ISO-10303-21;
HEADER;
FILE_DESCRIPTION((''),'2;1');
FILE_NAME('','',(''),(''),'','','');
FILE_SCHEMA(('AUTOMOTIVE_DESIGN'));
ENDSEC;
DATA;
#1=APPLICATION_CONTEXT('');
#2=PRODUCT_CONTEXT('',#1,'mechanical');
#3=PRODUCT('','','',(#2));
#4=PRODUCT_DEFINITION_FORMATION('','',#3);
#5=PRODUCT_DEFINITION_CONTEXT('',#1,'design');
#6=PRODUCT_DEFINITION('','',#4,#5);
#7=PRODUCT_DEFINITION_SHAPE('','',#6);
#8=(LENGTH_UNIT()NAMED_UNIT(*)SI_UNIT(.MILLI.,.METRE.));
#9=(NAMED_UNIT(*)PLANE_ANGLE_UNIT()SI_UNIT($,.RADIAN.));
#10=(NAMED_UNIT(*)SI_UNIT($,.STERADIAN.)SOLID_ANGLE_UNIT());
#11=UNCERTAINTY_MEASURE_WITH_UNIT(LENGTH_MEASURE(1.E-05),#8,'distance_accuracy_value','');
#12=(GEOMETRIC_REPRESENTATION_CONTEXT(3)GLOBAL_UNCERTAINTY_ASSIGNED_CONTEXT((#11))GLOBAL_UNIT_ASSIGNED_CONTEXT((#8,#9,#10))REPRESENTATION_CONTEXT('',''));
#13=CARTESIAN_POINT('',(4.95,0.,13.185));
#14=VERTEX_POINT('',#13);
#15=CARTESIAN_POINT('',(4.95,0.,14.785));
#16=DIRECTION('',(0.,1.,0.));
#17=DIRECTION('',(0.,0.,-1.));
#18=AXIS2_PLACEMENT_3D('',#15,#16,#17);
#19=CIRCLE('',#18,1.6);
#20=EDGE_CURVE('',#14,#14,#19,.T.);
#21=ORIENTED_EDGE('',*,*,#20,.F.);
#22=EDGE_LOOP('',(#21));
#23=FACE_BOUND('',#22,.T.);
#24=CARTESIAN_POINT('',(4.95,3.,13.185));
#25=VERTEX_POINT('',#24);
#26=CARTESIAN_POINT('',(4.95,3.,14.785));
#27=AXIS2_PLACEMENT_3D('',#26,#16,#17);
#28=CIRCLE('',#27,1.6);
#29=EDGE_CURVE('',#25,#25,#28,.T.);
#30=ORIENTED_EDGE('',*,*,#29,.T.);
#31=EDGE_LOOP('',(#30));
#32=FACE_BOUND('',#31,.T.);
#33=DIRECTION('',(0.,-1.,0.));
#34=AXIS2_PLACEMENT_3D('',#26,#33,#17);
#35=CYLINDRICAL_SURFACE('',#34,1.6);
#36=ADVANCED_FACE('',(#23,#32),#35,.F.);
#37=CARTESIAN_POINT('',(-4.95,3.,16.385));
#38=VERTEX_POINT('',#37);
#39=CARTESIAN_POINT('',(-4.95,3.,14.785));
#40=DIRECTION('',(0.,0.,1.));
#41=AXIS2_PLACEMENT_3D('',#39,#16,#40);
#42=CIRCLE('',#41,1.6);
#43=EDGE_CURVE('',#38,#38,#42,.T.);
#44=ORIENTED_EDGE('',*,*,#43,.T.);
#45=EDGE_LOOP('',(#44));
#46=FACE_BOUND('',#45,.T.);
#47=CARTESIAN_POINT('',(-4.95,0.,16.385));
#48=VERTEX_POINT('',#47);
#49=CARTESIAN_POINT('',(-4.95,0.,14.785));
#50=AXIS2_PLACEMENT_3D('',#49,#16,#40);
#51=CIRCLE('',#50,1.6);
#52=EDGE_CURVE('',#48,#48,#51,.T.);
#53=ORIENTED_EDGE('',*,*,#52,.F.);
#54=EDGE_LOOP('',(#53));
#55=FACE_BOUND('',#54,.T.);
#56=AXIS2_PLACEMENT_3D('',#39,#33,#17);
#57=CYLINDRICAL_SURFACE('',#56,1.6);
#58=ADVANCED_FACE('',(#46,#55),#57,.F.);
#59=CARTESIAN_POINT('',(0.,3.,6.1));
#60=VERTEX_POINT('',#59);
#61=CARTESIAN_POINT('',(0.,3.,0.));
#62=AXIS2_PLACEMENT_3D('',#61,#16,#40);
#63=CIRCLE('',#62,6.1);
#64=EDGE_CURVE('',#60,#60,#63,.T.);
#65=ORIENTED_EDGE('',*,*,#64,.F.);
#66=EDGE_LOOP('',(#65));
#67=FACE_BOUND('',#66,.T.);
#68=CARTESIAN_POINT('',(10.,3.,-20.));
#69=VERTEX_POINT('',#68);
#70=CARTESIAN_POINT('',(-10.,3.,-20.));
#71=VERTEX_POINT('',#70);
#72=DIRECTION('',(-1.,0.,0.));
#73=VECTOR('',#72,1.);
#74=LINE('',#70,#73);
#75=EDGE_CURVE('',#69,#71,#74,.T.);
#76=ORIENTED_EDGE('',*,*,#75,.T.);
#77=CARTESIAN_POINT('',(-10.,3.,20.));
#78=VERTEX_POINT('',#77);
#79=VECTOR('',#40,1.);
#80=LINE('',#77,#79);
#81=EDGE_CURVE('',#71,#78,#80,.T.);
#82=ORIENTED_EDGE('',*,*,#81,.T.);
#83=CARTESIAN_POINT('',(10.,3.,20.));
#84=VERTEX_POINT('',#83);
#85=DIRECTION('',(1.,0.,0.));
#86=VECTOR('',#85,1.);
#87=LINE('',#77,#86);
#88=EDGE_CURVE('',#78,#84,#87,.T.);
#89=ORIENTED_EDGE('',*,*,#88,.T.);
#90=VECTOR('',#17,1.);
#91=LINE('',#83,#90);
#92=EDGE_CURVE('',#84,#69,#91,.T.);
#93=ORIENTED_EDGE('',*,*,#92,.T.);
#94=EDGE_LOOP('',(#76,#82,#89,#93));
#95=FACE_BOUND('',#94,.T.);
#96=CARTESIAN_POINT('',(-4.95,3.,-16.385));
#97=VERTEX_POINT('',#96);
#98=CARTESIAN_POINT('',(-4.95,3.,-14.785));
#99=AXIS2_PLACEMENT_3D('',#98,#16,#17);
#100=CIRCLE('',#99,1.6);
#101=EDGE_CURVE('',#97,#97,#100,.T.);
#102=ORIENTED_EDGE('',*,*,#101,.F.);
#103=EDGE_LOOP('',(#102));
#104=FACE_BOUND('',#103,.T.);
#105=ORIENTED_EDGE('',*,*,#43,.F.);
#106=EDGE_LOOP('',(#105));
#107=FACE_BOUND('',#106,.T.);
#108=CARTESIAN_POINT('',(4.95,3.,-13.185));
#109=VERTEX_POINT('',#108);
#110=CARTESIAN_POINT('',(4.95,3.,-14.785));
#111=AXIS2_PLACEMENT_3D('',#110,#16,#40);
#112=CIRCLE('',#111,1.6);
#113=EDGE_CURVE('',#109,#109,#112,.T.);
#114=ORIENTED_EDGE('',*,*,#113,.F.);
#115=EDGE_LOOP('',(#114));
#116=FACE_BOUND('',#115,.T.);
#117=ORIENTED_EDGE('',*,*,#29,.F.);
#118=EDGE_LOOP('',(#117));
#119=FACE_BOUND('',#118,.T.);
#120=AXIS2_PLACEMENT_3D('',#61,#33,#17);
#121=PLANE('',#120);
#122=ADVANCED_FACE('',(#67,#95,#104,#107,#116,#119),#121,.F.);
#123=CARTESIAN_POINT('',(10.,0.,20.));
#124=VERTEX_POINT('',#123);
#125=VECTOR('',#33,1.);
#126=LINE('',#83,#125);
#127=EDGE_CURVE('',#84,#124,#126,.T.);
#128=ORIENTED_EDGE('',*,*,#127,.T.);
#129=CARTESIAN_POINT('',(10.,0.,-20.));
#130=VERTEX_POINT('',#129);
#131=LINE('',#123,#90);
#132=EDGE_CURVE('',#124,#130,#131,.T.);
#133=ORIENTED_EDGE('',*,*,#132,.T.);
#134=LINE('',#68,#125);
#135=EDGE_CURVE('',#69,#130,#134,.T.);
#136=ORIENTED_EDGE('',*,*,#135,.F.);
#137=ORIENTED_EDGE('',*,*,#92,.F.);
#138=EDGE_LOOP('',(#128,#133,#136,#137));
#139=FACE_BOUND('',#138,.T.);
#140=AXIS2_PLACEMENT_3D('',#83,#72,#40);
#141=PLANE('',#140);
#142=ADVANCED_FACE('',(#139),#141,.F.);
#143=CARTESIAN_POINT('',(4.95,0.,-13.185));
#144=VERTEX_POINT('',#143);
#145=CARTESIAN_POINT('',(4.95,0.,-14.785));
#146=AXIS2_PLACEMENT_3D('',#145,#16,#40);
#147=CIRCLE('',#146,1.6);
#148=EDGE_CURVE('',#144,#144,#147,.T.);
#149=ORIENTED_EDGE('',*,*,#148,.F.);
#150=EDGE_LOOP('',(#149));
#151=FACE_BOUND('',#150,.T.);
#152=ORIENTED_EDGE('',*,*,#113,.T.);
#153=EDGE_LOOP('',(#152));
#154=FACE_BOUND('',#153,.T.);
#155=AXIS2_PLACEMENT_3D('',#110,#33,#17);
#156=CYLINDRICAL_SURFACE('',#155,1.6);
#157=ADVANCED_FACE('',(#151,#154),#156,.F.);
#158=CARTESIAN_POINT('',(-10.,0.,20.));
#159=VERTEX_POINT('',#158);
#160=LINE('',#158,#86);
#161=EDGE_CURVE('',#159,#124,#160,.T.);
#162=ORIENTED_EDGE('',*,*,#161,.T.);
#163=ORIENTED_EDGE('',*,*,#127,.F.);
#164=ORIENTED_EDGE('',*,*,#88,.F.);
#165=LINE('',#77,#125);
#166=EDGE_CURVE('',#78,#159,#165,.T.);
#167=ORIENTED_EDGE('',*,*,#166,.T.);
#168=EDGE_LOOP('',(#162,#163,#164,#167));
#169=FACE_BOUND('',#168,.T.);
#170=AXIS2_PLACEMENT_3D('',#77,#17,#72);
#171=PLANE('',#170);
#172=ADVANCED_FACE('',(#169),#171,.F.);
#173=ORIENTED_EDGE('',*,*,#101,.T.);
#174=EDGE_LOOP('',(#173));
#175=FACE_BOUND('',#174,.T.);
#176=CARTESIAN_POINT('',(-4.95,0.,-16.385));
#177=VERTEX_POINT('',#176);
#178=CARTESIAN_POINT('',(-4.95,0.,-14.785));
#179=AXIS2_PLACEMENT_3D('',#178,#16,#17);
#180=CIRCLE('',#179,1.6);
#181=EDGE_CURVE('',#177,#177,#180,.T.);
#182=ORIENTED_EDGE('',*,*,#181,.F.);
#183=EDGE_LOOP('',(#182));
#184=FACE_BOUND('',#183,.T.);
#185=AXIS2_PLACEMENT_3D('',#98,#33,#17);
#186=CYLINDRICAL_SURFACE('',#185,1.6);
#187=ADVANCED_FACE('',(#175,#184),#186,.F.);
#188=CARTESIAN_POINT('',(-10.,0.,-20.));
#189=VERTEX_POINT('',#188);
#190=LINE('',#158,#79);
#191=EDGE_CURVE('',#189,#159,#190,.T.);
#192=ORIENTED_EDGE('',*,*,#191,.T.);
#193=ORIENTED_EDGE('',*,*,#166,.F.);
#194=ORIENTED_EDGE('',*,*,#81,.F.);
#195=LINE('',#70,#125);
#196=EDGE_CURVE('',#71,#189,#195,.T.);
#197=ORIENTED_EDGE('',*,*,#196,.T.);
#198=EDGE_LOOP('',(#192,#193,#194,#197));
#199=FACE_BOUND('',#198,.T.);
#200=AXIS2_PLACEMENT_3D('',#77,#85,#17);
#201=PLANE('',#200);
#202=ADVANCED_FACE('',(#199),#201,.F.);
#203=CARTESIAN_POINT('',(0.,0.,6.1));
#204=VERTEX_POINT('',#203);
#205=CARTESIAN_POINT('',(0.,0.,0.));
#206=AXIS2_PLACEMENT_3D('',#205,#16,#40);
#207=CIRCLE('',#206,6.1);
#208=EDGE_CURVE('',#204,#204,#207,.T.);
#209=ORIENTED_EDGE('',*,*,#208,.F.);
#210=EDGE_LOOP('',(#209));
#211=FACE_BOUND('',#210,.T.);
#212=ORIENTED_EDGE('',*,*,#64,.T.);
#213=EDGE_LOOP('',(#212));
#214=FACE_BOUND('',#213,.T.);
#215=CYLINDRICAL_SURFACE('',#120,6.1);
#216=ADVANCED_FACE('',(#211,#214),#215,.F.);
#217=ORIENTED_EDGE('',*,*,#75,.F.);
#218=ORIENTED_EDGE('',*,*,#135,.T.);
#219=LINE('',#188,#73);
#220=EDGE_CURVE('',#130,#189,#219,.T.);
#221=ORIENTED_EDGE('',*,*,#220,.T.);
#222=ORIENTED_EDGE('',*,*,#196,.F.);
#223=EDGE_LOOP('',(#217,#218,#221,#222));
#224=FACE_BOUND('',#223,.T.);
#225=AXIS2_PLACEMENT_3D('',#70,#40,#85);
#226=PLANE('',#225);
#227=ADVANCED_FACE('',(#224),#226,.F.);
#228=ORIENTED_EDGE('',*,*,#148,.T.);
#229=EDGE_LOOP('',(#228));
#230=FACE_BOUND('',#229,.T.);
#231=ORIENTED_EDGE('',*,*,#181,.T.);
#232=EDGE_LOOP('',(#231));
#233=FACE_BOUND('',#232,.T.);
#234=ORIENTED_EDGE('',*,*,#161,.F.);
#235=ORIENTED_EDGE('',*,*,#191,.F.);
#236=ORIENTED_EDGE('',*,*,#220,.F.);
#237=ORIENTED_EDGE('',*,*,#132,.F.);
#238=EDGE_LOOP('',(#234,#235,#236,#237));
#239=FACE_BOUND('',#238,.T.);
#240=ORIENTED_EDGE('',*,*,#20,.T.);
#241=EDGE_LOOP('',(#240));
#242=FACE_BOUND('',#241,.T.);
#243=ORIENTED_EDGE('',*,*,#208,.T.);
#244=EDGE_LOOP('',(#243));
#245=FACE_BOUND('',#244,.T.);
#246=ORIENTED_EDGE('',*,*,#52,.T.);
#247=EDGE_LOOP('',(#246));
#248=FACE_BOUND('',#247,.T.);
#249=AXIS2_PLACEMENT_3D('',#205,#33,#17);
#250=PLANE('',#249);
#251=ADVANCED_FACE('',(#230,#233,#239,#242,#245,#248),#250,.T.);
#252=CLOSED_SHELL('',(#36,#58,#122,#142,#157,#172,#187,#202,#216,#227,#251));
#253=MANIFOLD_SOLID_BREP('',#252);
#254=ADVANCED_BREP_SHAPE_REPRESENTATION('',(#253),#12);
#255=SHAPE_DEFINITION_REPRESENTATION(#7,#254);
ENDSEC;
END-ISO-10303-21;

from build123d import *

# Parameters (mm, degrees)
SKETCH_1_W      = 20
SKETCH_1_H      = 40
SKETCH_1_R      = 6.1
SKETCH_1_R_2    = 1.6
EXTRUDE_1_DEPTH = 3


with BuildPart() as part:
    # 草图1 → 凸台-拉伸1 (new body)
    with BuildSketch(Plane(origin=(0, 0, 0), x_dir=(1, 0, 0), z_dir=(0, 1, 0))):
        Rectangle(SKETCH_1_W, SKETCH_1_H)
        with Locations(Location((0, 0, 0), (0, 0, 270))):
            Circle(SKETCH_1_R, mode=Mode.SUBTRACT)
        with Locations(Location((4.95, 14.785, 0), (0, 0, 270))):
            Circle(SKETCH_1_R_2, mode=Mode.SUBTRACT)
        with Locations(Location((4.95, -14.785, 0), (0, 0, 90))):
            Circle(SKETCH_1_R_2, mode=Mode.SUBTRACT)
        with Locations(Location((-4.95, 14.785, 0), (0, 0, 90))):
            Circle(SKETCH_1_R_2, mode=Mode.SUBTRACT)
        with Locations(Location((-4.95, -14.785, 0), (0, 0, 270))):
            Circle(SKETCH_1_R_2, mode=Mode.SUBTRACT)
    extrude(amount=EXTRUDE_1_DEPTH)


solid = part.part
